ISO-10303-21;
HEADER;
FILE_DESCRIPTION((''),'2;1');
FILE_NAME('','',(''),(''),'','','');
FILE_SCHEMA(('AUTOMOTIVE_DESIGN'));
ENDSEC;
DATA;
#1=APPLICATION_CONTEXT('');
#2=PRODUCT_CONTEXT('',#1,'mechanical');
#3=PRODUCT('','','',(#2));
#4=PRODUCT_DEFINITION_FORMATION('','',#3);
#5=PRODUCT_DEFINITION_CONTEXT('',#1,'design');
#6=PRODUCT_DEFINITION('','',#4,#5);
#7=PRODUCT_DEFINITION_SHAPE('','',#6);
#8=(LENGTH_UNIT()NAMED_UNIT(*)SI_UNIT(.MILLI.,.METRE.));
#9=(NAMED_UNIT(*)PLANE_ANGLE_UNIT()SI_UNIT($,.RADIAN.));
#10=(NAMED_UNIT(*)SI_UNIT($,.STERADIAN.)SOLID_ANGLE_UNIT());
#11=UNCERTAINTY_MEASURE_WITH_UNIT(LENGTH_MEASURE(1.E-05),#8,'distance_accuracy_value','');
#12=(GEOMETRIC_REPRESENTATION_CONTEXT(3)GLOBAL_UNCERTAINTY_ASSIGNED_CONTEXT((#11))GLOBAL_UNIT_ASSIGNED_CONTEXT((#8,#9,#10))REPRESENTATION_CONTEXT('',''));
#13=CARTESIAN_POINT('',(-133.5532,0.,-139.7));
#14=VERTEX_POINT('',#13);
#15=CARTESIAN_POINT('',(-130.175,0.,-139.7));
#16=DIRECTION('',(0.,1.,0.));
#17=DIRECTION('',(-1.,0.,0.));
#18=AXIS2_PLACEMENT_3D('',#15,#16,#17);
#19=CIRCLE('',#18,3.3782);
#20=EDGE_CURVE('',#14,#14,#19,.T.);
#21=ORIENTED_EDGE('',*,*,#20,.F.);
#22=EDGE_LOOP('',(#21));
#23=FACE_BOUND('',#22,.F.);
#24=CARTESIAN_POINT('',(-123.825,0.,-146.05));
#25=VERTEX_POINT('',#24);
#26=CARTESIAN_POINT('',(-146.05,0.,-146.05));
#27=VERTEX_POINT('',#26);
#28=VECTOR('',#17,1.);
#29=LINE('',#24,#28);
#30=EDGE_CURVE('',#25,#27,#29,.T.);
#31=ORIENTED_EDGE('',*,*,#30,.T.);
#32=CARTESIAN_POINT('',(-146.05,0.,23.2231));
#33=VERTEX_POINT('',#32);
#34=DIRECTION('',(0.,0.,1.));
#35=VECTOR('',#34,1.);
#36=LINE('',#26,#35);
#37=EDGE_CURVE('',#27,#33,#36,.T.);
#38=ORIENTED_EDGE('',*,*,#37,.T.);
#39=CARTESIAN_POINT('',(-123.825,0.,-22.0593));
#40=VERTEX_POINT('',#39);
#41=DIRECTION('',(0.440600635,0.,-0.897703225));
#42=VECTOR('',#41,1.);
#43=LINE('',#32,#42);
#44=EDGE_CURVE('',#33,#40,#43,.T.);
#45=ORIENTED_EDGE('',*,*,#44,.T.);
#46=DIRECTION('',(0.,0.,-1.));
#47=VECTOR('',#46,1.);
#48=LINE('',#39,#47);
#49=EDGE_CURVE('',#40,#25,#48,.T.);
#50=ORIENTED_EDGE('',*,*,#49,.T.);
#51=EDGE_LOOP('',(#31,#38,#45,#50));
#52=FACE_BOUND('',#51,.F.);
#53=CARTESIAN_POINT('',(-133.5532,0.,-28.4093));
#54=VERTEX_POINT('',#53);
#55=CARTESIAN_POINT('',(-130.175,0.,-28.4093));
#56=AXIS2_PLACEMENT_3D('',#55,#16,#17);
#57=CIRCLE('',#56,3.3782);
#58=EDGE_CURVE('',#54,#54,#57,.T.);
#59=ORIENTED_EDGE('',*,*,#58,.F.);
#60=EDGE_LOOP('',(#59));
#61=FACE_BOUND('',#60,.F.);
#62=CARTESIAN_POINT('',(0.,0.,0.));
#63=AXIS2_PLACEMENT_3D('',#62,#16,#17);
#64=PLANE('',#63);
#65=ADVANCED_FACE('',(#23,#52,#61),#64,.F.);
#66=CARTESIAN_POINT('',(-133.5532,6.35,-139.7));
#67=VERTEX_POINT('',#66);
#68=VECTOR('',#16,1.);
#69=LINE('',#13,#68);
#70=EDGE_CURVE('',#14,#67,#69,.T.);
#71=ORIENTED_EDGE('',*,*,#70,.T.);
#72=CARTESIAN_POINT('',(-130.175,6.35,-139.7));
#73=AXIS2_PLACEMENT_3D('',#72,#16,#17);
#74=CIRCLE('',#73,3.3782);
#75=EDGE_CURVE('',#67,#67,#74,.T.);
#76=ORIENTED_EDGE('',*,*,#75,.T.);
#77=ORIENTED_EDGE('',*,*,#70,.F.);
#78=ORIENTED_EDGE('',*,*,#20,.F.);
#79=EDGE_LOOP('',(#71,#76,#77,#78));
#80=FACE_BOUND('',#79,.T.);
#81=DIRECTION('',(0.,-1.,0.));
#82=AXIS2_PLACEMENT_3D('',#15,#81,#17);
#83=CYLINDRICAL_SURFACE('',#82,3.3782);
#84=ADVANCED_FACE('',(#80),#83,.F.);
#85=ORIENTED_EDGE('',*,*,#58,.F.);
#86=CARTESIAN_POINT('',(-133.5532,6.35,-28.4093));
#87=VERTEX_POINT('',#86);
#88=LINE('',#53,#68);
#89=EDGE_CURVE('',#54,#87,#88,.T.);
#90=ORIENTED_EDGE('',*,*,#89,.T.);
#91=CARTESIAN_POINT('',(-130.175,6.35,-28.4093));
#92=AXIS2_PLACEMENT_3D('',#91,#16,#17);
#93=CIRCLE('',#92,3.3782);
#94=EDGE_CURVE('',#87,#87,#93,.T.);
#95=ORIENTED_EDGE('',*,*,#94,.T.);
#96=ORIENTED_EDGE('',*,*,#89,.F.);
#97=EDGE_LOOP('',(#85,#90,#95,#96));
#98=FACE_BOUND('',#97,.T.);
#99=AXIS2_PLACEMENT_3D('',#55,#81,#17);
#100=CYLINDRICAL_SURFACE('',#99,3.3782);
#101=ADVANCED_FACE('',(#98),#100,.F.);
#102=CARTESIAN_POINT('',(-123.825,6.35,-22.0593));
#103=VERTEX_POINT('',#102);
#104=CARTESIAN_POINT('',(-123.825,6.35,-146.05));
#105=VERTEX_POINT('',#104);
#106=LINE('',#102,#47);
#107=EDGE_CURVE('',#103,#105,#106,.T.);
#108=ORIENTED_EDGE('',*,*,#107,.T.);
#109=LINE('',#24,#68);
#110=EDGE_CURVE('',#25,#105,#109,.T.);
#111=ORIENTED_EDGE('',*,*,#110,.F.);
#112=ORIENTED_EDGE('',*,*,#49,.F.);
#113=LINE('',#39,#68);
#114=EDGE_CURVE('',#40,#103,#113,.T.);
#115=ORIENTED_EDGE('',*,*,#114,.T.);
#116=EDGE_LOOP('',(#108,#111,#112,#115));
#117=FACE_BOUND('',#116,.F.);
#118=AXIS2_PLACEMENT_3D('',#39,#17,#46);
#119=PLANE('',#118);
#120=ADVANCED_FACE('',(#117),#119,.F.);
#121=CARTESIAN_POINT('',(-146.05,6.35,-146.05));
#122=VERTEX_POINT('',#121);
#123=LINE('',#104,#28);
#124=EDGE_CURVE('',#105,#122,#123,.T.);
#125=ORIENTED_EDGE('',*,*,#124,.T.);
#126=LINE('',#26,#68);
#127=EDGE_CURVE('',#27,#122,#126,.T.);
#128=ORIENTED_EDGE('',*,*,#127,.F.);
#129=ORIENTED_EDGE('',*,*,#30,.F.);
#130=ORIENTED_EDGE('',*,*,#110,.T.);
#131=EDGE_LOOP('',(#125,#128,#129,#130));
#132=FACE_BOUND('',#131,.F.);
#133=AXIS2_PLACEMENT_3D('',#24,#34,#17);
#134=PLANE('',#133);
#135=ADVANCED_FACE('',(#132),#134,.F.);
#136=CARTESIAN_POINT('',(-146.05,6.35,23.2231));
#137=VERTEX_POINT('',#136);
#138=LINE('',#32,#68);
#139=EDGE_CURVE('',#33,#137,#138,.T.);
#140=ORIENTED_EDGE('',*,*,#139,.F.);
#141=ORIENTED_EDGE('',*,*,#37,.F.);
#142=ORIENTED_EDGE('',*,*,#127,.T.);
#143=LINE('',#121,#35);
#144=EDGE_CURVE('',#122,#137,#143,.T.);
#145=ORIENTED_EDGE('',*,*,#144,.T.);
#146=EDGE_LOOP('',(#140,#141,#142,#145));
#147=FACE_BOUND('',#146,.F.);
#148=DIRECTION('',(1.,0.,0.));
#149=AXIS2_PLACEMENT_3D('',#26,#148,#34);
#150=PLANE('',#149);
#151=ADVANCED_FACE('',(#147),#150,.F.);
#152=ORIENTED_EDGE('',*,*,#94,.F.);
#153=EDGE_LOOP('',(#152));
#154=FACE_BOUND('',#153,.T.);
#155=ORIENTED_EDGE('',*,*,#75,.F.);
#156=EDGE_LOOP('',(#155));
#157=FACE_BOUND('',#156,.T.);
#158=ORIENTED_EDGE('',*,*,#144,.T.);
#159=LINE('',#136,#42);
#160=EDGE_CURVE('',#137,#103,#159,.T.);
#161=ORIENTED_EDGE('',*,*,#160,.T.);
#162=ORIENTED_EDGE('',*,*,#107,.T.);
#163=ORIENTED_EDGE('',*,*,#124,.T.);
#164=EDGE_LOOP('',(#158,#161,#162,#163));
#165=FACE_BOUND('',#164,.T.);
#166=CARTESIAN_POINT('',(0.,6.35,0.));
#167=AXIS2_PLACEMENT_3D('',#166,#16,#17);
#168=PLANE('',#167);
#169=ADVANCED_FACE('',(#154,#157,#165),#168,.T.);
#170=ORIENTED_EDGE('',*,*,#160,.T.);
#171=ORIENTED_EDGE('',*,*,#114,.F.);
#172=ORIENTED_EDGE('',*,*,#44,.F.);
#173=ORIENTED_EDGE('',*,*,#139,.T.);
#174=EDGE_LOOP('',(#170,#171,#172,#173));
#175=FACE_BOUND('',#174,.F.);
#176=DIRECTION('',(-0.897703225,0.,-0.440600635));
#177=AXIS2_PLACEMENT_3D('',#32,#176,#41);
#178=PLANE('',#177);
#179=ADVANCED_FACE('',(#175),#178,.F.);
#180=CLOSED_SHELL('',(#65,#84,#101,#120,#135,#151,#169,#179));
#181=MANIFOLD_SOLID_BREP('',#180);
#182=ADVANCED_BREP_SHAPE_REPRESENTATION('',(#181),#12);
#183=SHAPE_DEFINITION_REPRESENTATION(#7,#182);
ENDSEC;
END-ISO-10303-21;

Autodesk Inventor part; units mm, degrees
ref_plane "YZ Plane" through (0, 0, 0) normal (1, 0, 0) x (0, 1, 0)
ref_plane "XZ Plane" through (0, 0, 0) normal (0, 1, 0) x (-1, 0, 0)
ref_plane "XY Plane" through (0, 0, 0) normal (0, 0, 1) x (1, 0, 0)
sketch "Sketch1" plane through (0, 0, 0) normal (0, 1, 0) x (-1, 0, 0)
  circle A0 centre (130.175, -139.7) radius 3.3782
  circle A1 centre (130.175, -28.4093) radius 3.3782
  line L0 (146.05, 23.2231) -> (123.825, -22.0593)
  line L1 (123.825, -22.0593) -> (123.825, -146.05)
  line L2 (123.825, -146.05) -> (146.05, -146.05)
  line L3 (146.05, -146.05) -> (146.05, 23.2231)
  point P0 (0, 0)
  point P1 (0, 0)
  dimension "d0" = 22.225
extrude "Extrusion1" add sketch "Sketch1" along normal blind 6.35
properties part number "Spacer"
